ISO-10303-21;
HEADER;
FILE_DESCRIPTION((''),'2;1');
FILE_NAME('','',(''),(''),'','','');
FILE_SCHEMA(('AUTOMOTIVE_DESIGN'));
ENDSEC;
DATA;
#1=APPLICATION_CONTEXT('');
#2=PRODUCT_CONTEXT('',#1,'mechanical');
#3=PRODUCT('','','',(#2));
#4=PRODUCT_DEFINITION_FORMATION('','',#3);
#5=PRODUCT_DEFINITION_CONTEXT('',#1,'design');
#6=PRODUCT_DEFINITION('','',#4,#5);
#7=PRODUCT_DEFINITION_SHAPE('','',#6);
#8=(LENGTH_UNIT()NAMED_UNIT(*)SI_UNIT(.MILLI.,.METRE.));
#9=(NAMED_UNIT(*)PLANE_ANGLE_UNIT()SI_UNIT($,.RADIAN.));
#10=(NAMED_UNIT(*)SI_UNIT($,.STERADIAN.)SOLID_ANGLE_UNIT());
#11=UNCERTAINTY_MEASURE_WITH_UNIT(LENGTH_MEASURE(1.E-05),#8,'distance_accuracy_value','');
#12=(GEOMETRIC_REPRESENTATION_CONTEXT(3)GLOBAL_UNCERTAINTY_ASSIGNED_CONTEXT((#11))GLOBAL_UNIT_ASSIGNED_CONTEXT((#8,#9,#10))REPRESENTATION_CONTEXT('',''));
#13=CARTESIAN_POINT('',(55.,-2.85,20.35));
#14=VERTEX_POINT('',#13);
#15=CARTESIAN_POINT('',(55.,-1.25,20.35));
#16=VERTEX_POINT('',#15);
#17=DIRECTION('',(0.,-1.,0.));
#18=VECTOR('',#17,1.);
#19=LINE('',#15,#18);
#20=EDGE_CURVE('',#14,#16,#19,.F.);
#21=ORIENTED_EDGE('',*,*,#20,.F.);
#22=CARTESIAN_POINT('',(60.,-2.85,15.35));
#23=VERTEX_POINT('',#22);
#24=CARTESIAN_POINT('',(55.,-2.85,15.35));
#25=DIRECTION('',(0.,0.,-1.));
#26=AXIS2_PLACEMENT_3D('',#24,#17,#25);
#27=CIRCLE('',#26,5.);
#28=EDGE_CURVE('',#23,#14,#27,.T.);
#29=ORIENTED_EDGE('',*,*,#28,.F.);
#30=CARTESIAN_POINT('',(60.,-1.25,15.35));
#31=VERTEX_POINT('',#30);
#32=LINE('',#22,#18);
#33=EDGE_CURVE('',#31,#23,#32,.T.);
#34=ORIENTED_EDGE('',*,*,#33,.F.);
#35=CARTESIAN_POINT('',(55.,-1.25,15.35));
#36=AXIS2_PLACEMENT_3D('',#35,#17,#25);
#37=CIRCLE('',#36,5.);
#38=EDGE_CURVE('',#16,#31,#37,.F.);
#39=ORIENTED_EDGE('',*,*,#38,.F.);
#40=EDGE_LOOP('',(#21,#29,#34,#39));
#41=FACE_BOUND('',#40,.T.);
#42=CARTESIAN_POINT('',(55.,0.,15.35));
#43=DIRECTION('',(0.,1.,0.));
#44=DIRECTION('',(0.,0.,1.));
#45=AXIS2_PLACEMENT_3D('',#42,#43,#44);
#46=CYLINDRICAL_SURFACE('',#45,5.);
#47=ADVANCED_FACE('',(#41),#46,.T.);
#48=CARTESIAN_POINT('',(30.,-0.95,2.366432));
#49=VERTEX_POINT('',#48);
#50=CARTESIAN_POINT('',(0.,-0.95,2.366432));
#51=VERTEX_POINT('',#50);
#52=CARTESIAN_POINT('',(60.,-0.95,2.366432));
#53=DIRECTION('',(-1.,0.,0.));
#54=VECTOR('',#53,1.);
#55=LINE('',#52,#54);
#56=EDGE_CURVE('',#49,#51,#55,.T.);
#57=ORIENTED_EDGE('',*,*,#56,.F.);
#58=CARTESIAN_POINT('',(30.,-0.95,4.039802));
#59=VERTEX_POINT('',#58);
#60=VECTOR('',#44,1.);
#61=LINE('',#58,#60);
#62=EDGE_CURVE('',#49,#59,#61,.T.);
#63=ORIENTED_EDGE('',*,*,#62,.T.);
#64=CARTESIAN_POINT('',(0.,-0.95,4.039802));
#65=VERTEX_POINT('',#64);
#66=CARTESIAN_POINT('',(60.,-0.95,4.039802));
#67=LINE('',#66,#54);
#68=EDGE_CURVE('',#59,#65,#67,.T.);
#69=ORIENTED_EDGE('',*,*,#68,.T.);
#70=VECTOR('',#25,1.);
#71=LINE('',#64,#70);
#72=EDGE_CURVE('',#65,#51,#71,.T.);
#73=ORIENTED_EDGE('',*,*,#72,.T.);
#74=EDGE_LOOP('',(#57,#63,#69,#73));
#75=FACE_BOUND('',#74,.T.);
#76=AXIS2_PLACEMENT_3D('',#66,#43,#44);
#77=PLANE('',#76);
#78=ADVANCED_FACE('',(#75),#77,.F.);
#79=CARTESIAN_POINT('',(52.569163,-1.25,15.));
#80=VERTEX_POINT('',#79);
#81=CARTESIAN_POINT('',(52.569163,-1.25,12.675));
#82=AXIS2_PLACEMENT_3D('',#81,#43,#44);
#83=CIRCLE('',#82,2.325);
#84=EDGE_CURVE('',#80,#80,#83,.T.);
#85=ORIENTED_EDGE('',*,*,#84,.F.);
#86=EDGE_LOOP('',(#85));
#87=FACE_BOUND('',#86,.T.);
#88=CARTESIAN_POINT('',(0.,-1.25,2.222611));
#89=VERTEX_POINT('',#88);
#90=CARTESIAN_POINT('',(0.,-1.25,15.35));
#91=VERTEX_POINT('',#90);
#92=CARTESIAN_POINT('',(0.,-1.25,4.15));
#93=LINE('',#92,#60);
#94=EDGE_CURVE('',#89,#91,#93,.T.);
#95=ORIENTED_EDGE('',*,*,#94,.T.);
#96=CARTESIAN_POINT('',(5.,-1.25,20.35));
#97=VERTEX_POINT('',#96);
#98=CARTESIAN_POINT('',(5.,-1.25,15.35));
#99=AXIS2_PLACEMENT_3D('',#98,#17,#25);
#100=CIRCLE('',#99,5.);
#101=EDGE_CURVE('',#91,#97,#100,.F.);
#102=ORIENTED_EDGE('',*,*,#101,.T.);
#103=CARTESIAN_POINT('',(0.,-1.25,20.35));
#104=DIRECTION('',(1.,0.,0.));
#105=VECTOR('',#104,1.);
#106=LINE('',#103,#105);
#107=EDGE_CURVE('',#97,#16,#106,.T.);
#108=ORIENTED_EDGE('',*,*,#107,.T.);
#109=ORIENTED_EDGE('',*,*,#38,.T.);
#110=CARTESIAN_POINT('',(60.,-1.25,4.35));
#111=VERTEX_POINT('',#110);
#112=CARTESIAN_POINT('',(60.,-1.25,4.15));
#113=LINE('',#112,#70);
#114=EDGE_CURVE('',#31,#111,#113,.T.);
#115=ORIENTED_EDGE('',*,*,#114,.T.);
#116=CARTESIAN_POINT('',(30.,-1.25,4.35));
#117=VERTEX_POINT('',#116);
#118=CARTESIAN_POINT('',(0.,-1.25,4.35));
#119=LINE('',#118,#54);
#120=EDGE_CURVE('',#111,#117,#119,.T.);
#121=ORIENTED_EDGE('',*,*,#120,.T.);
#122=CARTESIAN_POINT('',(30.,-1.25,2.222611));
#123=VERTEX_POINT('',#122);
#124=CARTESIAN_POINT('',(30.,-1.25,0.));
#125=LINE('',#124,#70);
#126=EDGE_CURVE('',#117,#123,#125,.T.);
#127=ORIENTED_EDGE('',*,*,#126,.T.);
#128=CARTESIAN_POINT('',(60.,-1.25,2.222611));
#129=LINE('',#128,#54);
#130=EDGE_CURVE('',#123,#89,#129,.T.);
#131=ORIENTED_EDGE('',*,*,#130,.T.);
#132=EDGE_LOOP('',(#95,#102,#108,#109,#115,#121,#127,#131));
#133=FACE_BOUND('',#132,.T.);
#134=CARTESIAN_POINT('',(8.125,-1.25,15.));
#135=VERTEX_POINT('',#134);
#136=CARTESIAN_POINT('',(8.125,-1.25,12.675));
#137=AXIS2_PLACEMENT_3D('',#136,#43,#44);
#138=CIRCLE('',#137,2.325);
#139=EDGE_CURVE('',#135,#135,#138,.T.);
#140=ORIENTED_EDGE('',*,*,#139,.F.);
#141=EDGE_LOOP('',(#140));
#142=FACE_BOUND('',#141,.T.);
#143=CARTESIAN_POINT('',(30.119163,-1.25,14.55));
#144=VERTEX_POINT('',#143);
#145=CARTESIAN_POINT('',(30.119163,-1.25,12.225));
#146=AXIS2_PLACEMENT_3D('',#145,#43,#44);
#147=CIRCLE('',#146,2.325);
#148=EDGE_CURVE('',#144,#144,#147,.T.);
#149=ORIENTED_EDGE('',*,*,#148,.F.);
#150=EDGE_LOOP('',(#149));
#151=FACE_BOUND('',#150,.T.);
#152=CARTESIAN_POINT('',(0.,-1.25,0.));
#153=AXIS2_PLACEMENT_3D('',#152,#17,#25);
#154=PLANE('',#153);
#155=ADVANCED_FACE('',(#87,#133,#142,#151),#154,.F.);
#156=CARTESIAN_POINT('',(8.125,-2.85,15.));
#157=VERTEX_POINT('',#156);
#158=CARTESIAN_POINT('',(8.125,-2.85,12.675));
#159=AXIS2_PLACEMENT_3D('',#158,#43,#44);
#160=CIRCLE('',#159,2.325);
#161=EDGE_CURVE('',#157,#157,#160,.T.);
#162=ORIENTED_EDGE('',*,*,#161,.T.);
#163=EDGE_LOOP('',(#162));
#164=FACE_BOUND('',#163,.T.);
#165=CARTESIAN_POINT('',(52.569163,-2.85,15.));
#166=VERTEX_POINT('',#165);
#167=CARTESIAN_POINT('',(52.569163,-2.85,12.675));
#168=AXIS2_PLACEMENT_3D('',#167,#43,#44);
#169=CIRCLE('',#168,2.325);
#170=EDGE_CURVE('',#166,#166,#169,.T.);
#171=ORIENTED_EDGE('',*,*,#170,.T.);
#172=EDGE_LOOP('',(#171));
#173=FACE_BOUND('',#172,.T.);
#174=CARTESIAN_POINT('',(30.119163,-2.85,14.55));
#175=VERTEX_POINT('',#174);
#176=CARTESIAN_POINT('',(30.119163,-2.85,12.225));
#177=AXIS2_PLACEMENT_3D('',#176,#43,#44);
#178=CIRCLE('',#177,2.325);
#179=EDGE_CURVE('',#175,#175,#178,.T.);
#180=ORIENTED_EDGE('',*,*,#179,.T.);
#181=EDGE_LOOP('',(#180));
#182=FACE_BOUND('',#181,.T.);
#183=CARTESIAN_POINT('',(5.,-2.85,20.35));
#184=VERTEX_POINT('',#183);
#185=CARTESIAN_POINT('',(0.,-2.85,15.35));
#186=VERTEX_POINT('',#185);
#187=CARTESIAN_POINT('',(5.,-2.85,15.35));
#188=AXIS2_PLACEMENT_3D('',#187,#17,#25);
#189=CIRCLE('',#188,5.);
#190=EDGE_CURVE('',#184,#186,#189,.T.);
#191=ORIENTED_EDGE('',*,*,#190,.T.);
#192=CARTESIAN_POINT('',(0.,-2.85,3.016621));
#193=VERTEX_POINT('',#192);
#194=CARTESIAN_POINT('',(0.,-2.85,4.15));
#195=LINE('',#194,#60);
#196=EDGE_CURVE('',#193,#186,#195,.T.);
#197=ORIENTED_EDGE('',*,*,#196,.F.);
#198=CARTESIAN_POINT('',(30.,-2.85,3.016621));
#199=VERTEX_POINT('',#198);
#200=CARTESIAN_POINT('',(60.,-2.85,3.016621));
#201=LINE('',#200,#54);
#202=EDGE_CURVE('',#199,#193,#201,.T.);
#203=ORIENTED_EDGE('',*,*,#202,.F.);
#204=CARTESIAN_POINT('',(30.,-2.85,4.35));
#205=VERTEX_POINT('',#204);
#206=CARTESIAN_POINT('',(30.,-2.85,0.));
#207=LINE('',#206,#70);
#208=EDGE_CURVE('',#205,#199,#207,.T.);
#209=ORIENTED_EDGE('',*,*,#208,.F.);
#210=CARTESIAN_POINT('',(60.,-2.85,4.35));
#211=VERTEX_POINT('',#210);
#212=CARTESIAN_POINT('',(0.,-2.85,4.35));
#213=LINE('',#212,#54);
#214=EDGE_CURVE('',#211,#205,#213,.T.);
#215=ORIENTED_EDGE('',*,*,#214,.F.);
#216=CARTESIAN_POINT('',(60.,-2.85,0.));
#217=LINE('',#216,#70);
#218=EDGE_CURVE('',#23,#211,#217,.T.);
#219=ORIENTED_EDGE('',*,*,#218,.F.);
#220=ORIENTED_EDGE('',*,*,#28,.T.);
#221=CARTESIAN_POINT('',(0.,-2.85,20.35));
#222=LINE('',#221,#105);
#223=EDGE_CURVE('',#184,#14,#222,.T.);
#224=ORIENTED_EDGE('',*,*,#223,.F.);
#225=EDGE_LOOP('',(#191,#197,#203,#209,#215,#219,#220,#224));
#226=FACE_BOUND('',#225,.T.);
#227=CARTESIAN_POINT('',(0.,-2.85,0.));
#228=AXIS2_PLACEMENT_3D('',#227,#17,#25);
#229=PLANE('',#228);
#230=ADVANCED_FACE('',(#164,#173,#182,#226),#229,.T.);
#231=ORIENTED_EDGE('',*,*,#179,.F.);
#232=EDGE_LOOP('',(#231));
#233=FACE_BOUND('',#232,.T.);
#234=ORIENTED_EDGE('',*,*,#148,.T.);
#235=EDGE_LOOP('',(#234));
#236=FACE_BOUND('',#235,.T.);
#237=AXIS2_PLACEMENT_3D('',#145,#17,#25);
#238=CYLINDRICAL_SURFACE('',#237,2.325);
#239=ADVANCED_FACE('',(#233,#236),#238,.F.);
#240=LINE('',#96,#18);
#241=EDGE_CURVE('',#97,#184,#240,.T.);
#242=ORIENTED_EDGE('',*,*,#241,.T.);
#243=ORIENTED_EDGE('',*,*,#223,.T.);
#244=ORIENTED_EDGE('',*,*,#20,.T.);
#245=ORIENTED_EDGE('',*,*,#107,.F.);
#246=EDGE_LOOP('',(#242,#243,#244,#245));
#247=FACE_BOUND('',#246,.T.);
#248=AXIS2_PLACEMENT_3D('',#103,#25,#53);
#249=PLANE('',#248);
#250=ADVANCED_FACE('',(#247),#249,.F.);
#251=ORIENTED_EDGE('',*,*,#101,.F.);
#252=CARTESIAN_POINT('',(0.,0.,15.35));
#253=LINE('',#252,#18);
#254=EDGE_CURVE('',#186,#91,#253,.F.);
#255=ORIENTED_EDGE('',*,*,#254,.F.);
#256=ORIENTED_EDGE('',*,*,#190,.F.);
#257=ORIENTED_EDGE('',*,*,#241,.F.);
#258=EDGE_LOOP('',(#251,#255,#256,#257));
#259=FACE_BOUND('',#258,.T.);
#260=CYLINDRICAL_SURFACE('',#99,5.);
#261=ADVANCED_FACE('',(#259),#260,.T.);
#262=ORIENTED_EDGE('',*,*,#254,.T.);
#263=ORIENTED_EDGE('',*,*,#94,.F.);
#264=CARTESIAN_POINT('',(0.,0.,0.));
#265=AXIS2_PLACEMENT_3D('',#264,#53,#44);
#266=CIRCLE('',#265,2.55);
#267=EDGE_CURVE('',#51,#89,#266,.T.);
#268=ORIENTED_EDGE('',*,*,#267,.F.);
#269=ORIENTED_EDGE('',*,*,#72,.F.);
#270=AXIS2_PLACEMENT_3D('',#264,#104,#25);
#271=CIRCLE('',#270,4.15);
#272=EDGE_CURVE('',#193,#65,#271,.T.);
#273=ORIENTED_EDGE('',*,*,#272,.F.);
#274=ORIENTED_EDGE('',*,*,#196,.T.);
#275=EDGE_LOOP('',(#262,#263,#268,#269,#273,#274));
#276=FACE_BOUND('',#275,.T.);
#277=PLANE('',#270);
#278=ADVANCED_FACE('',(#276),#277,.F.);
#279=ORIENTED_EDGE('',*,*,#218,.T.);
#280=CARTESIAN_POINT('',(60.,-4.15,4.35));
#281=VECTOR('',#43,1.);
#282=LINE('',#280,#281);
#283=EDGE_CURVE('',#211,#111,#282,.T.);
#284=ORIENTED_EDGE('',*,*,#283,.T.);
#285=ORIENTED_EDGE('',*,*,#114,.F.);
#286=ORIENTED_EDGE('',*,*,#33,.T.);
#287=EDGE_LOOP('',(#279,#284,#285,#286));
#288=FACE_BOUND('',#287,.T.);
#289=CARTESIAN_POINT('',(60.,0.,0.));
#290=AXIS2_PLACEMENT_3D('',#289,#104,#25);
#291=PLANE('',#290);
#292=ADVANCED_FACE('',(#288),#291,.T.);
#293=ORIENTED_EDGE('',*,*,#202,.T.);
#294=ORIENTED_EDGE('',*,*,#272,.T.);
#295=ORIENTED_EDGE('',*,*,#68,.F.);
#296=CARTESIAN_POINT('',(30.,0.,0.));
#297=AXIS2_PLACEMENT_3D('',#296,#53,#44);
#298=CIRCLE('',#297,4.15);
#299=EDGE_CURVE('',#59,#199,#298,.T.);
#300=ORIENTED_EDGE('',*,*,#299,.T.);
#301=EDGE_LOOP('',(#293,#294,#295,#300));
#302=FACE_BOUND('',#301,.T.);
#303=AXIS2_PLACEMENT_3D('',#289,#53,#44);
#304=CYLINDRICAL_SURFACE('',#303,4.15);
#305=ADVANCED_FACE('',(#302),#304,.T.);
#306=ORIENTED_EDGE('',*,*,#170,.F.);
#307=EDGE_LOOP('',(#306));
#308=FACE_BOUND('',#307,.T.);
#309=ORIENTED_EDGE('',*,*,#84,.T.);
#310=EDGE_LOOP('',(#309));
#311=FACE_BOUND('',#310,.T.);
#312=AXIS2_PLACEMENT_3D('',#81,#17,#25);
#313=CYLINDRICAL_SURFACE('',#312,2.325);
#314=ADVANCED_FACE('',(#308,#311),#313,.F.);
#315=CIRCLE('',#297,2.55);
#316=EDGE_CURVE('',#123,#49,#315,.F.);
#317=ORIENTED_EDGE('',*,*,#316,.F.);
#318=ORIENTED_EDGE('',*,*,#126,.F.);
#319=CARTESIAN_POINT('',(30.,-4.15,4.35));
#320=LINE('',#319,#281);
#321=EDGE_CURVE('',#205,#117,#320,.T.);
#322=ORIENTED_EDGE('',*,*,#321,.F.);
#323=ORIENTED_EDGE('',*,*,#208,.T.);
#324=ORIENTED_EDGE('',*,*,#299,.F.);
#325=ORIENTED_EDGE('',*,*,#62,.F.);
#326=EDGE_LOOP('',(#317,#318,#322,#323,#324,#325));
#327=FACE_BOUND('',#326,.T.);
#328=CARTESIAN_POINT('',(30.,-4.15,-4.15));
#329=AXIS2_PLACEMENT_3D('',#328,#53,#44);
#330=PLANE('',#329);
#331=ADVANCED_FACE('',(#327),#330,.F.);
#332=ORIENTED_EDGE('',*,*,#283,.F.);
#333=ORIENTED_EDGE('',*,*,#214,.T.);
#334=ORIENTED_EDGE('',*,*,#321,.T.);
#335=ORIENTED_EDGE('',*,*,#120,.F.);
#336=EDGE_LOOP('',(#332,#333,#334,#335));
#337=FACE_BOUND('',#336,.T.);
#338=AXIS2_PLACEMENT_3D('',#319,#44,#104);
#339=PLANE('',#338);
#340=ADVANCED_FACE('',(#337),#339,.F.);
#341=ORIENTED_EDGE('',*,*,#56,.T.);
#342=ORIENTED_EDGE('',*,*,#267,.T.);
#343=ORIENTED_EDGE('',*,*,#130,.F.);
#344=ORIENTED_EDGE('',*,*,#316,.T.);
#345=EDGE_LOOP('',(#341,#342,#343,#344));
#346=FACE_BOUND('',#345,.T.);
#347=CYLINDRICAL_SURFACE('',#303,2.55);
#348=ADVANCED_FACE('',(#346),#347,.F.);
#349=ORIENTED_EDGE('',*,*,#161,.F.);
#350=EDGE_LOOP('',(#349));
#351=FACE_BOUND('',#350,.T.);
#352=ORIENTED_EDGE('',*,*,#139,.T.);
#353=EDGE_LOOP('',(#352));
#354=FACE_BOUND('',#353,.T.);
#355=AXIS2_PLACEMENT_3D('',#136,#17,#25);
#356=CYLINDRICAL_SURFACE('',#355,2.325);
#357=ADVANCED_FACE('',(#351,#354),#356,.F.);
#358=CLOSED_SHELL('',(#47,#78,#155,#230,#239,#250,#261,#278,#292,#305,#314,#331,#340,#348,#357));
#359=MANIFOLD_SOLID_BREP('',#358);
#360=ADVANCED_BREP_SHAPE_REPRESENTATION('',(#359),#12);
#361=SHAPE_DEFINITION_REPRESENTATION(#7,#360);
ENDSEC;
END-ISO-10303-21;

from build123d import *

# Parameters (mm, degrees)
SKETCH_1_R               = 4.15
EXTRUDE_1_DEPTH          = 60
SKETCH_2_R               = 2.325
EXTRUDE_2_DEPTH          = 1.6
FILLET_1_R               = 5
CUT_EXTRUDE_2_DEPTH      = 64.492873616
CUT_EXTRUDE_1_DEPTH      = 64.586810739
CUT_EXTRUDE_1_DEPTH_BACK = 64.586810739
SKETCH_4_W               = 30
SKETCH_4_H               = 8.5


with BuildPart() as part:
    # Эскиз1 → Бобышка-Вытянуть1 (new body)
    with BuildSketch(Plane(origin=(0, 0, 0), x_dir=(0, 0, -1), z_dir=(1, 0, 0))):
        Circle(SKETCH_1_R)
    extrude(amount=EXTRUDE_1_DEPTH)

    # Эскиз2 → Бобышка-Вытянуть2 (add)
    with BuildSketch(Plane(origin=(0, -2.85, 0), x_dir=(1, 0, 0), z_dir=(0, 1, 0))):
        Polygon((0, -4.15), (0, -20.35), (60, -20.35), (60, -4.15), (60, 0), (0, 0), align=None)
        with Locations(Location((8.125, -12.675, 0), (0, 0, 270))):
            Circle(SKETCH_2_R, mode=Mode.SUBTRACT)
        with Locations(Location((30.119163283, -12.225, 0), (0, 0, 270))):
            Circle(SKETCH_2_R, mode=Mode.SUBTRACT)
        with Locations(Location((52.569163283, -12.675, 0), (0, 0, 270))):
            Circle(SKETCH_2_R, mode=Mode.SUBTRACT)
    extrude(amount=EXTRUDE_2_DEPTH)

    # Скругление1
    fillet_1_edges = [part.edges().sort_by_distance(p)[0] for p in [
        (0, -2.05, 20.35),
        (60, -2.05, 20.35),
    ]]
    fillet(fillet_1_edges, radius=FILLET_1_R)

    # Эскиз5 → Вырез-Вытянуть2 (cut, through all)
    with BuildSketch(Plane.ZY):
        with BuildLine():
            Line((3.957271787, -1.25), (2.222611077, -1.25))
            ThreePointArc((2.222611077, -1.25), (-2.299419251, 1.102347998), (2.366431913, -0.95))
            Line((2.366431913, -0.95), (4.039801975, -0.95))
            Line((4.039801975, -0.95), (4.039801975, -1.25))
            Line((4.039801975, -1.25), (3.957271787, -1.25))
        make_face()
    extrude(amount=-CUT_EXTRUDE_2_DEPTH, mode=Mode.SUBTRACT)

    # Эскиз4 → Вырез-Вытянуть1 (cut, two sides: drawn at the far end of the back side and taken through both)
    with BuildSketch(Plane(origin=(0, -1.25, 0), x_dir=(1, 0, 0), z_dir=(0, 1, 0)).offset(-CUT_EXTRUDE_1_DEPTH_BACK)):
        with Locations((45, -0.1)):
            Rectangle(SKETCH_4_W, SKETCH_4_H)
    extrude(amount=CUT_EXTRUDE_1_DEPTH + CUT_EXTRUDE_1_DEPTH_BACK, mode=Mode.SUBTRACT)


solid = part.part
